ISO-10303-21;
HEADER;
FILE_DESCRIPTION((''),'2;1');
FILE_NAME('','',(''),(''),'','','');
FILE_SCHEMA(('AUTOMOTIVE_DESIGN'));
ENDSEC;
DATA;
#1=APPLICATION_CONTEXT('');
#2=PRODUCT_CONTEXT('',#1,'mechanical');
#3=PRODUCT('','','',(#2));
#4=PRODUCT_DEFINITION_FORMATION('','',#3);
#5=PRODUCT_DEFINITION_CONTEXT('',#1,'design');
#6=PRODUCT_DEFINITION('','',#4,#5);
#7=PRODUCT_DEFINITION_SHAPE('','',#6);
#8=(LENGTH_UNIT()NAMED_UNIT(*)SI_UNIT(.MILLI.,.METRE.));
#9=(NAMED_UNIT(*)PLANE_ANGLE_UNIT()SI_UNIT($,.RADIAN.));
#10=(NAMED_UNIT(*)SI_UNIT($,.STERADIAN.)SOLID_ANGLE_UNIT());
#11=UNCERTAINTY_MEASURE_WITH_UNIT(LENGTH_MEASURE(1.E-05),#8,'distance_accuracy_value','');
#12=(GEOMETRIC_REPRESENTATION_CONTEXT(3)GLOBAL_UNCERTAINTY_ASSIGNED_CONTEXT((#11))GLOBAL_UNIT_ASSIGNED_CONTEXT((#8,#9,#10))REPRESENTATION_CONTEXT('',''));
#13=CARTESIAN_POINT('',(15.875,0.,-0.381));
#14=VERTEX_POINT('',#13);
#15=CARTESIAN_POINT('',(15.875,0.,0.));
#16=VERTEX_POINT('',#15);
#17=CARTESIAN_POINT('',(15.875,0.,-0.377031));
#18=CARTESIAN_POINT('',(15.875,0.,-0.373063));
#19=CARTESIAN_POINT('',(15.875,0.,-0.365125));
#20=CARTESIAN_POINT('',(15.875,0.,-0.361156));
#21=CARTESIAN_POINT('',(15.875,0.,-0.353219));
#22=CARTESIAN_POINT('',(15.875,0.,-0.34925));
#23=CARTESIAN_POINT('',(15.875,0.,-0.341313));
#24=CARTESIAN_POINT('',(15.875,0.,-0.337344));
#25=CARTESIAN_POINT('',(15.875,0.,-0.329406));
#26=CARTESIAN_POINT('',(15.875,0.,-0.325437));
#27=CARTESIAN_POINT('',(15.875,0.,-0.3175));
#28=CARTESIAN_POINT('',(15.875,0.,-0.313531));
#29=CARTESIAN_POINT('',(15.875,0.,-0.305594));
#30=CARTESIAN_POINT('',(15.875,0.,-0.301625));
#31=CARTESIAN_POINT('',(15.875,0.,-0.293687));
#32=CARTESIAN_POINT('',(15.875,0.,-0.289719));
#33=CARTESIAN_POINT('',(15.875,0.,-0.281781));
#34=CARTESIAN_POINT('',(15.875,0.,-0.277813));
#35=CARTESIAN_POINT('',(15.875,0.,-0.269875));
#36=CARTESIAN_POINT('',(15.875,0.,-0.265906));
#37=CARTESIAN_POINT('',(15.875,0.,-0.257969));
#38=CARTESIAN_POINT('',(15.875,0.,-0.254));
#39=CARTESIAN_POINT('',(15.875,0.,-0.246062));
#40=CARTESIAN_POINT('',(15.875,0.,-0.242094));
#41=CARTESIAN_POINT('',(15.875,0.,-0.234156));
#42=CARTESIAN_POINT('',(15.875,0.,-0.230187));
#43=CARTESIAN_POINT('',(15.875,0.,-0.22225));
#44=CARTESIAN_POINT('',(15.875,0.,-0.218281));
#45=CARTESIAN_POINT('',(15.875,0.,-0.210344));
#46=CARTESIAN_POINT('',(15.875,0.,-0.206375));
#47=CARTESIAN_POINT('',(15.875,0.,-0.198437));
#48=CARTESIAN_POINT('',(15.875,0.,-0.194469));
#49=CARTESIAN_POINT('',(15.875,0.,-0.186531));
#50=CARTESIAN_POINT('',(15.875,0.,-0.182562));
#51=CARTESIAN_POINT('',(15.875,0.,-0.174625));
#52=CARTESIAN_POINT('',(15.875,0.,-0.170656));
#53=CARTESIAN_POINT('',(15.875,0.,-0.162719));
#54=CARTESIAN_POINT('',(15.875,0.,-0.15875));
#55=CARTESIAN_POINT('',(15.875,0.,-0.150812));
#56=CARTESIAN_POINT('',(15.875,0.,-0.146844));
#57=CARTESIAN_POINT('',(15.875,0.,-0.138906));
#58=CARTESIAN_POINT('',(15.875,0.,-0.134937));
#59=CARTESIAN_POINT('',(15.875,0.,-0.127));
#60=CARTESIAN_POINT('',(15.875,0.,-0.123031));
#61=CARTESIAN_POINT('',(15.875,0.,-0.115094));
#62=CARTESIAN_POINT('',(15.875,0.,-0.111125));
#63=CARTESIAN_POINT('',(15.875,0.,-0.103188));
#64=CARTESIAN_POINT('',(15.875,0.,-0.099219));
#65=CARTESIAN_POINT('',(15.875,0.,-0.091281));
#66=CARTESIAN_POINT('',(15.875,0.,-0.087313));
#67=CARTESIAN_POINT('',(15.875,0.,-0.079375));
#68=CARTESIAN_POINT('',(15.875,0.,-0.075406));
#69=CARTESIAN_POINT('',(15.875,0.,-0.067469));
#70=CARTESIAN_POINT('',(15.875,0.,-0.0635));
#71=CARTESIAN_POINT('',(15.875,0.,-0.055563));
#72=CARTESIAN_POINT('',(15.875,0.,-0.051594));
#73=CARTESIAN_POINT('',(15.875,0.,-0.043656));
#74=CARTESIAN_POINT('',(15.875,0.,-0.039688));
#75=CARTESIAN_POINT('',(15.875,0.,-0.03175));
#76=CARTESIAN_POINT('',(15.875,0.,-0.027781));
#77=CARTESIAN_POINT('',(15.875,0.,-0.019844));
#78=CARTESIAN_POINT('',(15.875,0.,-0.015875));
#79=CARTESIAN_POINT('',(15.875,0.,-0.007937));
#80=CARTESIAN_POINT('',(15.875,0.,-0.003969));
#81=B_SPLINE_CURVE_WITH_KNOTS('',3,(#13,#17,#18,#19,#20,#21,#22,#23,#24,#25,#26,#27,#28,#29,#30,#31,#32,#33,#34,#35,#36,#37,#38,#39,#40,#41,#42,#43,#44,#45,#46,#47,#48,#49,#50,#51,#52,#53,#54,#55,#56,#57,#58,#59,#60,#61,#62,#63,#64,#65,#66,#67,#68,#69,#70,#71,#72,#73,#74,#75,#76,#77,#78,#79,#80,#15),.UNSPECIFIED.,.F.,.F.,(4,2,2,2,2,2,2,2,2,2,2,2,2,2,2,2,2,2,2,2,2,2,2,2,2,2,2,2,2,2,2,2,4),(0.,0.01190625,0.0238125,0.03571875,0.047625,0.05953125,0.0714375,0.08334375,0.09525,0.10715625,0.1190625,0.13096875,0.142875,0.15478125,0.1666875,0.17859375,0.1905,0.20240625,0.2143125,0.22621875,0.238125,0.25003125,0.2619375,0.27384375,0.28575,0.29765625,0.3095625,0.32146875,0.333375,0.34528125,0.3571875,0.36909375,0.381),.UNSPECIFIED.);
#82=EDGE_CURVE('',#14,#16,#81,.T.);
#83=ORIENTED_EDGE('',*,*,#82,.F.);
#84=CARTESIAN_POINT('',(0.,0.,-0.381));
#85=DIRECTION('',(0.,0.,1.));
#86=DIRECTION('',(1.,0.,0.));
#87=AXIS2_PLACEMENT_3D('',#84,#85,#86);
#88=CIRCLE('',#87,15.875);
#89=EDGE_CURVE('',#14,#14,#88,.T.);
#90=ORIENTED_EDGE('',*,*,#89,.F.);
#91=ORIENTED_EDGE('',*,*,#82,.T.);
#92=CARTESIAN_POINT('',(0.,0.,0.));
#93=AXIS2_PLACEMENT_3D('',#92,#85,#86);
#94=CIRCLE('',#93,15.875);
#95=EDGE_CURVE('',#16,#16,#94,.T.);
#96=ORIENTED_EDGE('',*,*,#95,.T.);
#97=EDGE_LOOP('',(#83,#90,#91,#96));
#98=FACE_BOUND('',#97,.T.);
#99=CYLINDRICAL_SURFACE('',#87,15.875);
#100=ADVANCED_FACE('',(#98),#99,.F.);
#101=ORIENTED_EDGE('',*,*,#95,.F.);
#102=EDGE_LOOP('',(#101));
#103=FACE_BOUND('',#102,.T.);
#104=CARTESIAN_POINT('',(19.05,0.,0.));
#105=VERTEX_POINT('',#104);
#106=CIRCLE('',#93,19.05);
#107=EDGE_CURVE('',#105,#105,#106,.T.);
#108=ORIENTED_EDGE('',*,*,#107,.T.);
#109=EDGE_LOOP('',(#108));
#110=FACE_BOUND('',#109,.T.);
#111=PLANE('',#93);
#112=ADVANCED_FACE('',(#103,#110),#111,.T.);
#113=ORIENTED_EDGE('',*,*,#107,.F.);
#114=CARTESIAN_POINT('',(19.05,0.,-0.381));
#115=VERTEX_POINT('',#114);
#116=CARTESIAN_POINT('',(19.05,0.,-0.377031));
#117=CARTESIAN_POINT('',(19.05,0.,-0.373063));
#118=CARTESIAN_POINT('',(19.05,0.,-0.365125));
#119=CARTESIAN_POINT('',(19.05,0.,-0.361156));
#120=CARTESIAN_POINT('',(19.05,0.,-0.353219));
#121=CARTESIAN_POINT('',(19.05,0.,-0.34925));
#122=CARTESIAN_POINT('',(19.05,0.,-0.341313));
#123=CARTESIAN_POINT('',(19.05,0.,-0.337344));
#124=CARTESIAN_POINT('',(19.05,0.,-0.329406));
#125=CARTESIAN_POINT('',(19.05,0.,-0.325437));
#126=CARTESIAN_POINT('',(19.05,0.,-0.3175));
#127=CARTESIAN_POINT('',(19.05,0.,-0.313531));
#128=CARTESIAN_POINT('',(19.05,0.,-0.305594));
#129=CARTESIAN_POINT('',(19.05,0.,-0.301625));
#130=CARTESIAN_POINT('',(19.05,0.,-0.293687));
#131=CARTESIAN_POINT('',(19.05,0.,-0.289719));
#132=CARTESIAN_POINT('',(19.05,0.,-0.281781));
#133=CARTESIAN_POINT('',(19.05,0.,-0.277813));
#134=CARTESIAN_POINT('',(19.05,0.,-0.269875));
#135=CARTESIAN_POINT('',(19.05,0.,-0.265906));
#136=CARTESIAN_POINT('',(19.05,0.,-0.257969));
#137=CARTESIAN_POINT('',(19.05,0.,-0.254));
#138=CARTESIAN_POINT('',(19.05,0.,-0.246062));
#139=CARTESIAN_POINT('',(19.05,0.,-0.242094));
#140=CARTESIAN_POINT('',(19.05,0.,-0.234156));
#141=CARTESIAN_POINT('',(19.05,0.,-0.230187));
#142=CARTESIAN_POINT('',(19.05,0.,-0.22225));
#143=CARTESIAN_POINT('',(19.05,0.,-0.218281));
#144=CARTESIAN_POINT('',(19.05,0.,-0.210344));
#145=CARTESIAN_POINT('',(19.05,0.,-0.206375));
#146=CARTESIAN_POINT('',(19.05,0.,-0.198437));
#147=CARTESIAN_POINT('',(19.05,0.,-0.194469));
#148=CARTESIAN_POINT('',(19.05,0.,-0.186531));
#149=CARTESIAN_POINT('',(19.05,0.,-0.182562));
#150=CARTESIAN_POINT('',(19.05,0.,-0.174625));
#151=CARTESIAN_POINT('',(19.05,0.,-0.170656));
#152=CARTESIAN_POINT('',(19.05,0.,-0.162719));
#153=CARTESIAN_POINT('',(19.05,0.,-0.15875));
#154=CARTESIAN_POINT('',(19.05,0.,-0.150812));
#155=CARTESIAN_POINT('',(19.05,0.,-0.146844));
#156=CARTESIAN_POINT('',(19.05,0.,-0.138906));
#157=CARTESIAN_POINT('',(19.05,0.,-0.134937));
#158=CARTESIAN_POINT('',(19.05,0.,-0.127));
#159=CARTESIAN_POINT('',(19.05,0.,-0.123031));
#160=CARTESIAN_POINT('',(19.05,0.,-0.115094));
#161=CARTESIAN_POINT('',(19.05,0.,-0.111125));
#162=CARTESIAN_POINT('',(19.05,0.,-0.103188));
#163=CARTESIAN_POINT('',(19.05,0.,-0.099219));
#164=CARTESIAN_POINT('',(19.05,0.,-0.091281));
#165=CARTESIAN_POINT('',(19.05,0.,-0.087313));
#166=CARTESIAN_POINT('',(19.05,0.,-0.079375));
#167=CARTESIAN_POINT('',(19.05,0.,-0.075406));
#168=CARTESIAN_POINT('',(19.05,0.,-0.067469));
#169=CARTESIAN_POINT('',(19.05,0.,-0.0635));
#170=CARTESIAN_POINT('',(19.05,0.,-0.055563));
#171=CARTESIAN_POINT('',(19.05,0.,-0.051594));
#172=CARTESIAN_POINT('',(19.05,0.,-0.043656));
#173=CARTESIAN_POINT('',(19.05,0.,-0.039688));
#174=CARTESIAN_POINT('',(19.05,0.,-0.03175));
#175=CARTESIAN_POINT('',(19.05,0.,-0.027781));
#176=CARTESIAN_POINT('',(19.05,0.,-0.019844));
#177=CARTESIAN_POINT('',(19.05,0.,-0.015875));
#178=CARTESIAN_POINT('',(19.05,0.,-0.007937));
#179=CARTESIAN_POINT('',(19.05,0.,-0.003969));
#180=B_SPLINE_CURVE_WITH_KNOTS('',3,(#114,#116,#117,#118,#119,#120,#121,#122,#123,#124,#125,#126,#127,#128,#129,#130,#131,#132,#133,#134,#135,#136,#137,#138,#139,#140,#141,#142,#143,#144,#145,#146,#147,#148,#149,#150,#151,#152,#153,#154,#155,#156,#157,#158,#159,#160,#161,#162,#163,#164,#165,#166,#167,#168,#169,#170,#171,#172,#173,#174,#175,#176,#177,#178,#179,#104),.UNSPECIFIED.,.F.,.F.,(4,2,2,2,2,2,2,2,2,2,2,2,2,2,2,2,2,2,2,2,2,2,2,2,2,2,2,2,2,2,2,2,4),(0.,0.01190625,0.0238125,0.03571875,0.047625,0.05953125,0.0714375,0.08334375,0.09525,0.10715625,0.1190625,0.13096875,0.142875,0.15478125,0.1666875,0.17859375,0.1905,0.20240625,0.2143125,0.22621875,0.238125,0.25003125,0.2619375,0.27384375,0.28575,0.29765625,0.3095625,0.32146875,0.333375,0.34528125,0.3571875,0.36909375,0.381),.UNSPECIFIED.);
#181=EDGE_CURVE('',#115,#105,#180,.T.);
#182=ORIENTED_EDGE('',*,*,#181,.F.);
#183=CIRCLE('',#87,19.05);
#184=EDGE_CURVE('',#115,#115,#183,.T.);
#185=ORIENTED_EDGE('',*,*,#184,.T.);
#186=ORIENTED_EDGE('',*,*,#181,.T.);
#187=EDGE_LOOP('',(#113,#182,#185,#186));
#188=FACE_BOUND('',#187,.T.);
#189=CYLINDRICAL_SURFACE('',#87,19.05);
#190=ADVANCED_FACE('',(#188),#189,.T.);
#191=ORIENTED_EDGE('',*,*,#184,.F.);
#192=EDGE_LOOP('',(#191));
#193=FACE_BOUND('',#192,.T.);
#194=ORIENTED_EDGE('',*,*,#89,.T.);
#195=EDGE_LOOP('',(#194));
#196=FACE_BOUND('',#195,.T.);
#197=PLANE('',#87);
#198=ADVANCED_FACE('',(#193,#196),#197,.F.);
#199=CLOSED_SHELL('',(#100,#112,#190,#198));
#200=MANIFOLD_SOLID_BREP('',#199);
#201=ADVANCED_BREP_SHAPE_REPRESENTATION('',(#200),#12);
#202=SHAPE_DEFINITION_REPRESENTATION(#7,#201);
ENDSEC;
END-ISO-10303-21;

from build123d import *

# Parameters (mm, degrees)
BASE_SKETCH_R      = 19.05
BASE_SKETCH_R_2    = 15.875
BASE_EXTRUDE_DEPTH = 0.381


with BuildPart() as part:
    # Base Sketch → Base Extrude (new body)
    with BuildSketch(Plane.XY):
        Circle(BASE_SKETCH_R)
        Circle(BASE_SKETCH_R_2, mode=Mode.SUBTRACT)
    extrude(amount=-BASE_EXTRUDE_DEPTH)


solid = part.part
